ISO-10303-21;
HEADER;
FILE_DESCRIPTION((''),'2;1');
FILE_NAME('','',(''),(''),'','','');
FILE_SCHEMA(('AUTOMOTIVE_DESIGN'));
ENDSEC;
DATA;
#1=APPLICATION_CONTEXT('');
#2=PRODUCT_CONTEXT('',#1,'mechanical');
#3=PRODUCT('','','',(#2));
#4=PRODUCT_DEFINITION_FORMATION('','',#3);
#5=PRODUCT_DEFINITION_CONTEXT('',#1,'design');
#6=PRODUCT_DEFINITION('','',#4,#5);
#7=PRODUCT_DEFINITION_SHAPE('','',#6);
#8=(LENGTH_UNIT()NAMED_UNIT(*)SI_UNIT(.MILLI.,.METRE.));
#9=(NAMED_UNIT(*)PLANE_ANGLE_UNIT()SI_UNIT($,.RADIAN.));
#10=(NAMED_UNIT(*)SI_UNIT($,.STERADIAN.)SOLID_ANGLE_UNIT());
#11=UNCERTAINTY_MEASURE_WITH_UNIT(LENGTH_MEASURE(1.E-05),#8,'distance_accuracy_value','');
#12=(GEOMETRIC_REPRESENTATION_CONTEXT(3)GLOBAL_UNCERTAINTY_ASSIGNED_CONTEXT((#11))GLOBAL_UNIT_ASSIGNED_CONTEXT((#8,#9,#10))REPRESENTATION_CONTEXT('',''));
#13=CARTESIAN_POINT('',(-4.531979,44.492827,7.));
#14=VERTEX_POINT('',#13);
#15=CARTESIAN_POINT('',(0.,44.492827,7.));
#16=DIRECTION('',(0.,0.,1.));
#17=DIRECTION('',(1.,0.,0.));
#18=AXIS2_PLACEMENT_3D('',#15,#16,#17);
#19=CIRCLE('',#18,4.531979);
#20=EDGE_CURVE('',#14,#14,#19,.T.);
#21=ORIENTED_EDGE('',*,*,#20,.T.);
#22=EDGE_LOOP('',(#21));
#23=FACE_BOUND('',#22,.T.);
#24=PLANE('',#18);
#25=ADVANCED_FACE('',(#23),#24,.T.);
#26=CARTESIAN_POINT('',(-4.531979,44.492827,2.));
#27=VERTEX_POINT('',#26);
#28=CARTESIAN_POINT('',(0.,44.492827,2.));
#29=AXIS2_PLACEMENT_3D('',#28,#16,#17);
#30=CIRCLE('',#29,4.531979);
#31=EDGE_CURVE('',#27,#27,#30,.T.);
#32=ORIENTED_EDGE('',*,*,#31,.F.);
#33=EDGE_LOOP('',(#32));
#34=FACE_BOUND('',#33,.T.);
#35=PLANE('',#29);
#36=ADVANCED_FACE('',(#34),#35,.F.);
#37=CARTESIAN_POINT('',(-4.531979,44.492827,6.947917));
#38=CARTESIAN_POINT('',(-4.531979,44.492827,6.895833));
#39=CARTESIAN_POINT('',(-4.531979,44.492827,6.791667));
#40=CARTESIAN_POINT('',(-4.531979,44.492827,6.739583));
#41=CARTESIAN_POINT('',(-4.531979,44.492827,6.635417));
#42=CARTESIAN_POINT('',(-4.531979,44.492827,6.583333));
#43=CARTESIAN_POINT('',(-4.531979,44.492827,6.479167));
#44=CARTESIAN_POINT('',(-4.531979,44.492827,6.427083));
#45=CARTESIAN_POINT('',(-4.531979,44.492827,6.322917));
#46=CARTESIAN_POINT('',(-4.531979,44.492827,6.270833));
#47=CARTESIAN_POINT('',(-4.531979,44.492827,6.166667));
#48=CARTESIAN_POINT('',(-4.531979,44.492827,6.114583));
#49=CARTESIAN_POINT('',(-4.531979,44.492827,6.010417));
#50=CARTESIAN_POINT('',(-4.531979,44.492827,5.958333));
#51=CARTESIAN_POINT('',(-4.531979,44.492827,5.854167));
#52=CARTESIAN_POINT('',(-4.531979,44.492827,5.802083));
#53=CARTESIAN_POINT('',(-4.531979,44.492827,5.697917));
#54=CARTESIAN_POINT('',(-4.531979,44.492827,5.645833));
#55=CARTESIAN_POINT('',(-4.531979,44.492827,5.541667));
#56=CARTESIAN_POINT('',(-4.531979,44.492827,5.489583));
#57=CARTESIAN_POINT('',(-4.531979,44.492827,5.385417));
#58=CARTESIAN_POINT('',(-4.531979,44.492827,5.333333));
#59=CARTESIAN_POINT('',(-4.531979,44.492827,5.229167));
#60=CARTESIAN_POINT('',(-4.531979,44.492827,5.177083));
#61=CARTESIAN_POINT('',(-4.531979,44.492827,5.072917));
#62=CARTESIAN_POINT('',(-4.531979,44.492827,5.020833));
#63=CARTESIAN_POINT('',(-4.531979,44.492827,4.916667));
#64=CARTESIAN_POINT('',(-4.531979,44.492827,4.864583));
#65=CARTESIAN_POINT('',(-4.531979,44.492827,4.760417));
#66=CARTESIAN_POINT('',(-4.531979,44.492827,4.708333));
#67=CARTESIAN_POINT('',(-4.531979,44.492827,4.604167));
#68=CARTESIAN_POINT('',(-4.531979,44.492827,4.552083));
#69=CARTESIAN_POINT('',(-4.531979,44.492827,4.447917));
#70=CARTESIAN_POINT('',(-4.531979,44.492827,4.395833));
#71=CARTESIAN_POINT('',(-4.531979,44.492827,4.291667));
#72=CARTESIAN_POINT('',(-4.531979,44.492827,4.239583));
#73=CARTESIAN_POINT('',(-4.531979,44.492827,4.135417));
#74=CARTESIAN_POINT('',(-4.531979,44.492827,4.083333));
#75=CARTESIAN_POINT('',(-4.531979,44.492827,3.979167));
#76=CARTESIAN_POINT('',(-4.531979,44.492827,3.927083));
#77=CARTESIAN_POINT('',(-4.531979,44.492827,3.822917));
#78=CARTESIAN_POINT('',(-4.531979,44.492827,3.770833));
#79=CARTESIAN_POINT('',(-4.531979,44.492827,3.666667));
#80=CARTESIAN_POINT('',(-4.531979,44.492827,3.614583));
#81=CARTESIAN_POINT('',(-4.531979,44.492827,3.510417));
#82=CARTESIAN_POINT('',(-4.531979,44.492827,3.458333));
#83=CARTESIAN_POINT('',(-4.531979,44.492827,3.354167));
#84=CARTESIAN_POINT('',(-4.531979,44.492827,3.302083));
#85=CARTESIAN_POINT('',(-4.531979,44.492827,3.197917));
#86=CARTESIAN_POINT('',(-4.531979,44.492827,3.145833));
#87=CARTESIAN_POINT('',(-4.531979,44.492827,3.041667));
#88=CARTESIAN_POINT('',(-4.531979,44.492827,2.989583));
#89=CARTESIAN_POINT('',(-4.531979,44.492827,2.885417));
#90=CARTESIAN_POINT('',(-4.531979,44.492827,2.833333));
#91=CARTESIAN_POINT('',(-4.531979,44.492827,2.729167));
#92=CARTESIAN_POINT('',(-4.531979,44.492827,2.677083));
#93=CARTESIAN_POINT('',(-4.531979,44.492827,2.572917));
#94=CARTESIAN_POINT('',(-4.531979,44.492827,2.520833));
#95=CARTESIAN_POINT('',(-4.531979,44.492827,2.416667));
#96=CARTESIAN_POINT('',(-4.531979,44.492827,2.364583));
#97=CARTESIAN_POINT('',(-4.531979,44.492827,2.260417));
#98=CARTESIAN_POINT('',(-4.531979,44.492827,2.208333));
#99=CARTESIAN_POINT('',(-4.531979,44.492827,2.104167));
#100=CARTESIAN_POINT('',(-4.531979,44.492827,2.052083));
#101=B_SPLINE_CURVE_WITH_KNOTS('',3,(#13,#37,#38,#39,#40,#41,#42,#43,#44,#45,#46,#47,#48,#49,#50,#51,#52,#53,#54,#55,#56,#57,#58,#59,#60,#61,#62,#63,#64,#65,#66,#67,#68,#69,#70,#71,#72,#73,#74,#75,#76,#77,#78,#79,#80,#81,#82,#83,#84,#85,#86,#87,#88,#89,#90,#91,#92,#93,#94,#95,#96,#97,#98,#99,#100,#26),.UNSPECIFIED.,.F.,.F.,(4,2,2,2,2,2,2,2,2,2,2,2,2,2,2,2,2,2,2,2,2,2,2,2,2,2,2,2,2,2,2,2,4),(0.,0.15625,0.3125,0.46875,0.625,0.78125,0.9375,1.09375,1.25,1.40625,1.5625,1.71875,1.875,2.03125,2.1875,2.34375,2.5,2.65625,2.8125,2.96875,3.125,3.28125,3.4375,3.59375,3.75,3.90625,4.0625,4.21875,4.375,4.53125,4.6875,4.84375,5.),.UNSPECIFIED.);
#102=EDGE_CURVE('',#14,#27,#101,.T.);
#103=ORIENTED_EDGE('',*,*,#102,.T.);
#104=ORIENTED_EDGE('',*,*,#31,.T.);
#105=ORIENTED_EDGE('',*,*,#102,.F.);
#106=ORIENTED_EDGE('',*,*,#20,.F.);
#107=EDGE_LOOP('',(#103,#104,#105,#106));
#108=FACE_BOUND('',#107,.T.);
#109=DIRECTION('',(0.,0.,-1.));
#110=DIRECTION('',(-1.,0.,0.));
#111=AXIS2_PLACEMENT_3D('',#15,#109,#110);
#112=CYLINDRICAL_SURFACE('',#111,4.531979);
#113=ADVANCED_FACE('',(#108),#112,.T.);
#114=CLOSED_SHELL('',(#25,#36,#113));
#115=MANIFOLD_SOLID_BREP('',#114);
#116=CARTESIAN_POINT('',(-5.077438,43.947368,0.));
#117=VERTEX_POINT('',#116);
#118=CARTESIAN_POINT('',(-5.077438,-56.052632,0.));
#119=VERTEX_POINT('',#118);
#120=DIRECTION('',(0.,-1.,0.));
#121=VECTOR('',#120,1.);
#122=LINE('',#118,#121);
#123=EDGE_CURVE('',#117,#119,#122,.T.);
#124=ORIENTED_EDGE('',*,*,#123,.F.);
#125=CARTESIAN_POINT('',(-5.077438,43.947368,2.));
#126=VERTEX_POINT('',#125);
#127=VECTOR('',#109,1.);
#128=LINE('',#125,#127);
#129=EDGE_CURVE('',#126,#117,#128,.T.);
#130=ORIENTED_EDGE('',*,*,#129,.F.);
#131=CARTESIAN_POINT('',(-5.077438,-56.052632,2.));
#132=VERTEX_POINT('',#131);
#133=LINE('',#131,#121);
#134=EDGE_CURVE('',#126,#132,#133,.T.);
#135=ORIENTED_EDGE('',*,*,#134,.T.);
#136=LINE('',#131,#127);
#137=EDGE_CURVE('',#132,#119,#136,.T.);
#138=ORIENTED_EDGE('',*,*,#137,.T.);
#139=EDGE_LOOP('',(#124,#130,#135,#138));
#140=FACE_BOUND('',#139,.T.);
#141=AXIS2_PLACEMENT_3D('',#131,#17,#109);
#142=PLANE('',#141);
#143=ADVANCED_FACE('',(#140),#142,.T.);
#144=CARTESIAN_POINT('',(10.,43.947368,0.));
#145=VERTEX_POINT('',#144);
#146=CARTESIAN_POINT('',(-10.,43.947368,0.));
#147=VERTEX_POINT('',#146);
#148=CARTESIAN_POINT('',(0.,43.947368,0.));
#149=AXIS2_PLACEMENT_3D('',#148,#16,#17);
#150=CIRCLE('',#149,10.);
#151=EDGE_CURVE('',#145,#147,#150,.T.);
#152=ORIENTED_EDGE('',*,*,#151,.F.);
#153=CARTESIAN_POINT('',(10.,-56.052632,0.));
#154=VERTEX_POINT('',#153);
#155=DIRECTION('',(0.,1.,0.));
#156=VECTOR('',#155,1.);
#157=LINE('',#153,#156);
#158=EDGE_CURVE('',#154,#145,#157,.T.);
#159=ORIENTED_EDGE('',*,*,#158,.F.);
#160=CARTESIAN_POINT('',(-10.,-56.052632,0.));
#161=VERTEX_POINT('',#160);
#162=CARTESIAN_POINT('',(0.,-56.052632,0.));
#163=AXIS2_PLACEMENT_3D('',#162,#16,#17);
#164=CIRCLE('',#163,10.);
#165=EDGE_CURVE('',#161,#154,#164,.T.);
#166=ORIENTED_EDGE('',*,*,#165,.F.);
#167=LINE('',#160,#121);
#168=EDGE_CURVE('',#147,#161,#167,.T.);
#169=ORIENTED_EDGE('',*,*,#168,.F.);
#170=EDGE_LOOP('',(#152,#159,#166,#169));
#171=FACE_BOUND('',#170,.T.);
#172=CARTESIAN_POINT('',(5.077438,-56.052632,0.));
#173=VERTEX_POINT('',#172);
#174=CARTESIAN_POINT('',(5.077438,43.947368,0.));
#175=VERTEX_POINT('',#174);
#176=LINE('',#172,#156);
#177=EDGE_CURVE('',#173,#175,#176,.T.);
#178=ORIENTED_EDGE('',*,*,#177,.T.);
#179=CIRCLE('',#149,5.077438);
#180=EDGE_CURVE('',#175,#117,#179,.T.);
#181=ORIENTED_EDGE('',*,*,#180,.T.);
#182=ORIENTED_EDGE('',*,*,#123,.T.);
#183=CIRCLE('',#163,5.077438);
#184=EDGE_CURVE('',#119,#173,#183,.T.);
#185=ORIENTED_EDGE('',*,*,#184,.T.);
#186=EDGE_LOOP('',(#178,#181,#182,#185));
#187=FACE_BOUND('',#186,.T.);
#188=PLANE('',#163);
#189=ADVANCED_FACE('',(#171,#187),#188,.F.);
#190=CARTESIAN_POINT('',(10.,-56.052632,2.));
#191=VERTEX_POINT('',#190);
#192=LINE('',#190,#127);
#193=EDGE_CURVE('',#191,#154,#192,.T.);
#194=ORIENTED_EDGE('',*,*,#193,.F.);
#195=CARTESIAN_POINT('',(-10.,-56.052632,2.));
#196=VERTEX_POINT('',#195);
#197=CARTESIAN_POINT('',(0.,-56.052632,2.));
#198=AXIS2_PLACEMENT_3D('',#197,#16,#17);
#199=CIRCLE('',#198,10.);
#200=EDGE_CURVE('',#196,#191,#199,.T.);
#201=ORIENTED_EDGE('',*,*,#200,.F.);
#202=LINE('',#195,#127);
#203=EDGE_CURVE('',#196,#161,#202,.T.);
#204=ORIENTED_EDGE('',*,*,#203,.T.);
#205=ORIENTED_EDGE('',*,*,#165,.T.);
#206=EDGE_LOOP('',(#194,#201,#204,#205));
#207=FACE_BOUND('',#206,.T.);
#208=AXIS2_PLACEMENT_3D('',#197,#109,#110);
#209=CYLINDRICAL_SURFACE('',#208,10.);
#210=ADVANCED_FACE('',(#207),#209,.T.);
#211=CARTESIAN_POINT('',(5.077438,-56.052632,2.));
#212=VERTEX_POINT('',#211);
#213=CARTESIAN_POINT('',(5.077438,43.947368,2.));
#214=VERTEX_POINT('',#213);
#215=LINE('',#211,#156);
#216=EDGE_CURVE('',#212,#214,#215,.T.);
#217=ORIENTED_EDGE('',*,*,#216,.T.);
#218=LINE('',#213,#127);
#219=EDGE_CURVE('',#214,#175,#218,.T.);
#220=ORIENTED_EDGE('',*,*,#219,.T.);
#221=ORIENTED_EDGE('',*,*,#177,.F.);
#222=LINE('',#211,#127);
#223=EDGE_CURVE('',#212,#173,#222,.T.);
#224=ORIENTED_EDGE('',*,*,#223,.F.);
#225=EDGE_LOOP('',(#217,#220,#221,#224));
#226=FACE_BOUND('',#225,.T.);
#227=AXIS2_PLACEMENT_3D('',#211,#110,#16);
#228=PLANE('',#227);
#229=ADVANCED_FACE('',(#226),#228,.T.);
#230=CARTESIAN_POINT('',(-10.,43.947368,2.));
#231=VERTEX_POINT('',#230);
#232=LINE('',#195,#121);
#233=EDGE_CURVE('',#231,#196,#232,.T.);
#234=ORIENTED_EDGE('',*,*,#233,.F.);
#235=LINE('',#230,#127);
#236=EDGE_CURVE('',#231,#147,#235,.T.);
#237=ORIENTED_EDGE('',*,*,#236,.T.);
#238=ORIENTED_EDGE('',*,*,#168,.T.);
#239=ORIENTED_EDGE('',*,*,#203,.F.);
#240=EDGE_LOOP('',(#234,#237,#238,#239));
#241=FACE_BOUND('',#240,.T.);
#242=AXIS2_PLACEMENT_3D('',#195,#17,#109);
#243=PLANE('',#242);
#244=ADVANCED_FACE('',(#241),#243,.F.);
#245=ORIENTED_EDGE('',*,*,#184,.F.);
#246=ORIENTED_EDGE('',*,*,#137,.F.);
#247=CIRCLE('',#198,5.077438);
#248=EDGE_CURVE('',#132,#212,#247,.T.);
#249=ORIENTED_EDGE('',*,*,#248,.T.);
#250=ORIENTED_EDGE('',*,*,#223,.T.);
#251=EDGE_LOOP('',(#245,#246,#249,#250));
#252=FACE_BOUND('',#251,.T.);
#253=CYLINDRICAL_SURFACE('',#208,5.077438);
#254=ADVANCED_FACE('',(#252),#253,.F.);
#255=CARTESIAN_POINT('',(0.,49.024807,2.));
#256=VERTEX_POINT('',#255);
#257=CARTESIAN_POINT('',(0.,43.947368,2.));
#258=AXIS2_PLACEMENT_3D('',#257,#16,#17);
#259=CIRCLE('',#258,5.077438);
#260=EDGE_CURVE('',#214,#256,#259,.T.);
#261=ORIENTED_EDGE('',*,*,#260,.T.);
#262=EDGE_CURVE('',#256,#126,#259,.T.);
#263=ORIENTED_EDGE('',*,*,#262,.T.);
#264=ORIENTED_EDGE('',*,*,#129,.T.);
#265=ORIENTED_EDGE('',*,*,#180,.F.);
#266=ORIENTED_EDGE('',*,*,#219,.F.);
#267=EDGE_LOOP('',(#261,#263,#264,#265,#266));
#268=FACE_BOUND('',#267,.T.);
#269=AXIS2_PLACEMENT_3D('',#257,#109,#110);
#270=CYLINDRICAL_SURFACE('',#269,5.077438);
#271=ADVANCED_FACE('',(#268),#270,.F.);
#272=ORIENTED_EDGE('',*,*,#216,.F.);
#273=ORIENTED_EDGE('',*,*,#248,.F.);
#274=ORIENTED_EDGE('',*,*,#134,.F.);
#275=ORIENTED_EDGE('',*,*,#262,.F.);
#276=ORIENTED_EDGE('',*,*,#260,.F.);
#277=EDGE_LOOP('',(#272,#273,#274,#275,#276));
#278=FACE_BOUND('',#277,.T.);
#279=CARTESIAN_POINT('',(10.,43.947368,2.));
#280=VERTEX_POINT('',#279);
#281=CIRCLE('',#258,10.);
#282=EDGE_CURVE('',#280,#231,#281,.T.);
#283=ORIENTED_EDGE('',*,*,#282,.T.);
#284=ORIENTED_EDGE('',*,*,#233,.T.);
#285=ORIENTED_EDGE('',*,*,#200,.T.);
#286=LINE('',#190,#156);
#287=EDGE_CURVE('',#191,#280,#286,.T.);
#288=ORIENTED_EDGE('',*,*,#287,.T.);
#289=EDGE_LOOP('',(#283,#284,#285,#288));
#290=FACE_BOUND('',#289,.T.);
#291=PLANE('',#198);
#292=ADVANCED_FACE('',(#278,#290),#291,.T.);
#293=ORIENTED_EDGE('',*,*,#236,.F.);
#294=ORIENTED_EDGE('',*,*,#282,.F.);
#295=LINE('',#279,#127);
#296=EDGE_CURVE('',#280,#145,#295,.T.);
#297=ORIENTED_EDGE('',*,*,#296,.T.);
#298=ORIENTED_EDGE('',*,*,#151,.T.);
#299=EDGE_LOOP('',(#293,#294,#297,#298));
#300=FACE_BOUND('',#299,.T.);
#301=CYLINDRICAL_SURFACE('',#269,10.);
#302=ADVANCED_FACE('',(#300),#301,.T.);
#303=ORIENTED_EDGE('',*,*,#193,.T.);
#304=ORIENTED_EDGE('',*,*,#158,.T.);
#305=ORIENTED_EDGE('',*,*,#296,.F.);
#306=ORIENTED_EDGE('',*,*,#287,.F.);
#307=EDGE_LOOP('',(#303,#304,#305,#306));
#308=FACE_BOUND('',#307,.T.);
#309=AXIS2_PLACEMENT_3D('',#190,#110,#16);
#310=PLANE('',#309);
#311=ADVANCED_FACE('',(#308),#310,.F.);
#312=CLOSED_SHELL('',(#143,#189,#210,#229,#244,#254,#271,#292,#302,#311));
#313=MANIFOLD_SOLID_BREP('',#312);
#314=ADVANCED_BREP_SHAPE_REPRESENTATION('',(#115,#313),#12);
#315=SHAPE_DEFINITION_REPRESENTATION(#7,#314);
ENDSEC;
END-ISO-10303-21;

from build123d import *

# Parameters (mm, degrees)
BOSS_EXTRUDE1_DEPTH = 2
SKETCH2_R           = 4.531979256
BOSS_EXTRUDE2_DEPTH = 5


with BuildPart() as part:
    # Sketch1 → Boss-Extrude1 (new body)
    with BuildSketch(Plane.XY):
        with BuildLine():
            Line((-10, -56.052631579), (-10, 43.947368421))
            ThreePointArc((-10, 43.947368421), (0, 53.947368421), (10, 43.947368421))
            Line((10, 43.947368421), (10, -56.052631579))
            ThreePointArc((10, -56.052631579), (0, -66.052631579), (-10, -56.052631579))
        make_face()
        with BuildLine():
            Line((-5.077438158, -56.052631579), (-5.077438158, 43.947368421))
            ThreePointArc((-5.077438158, 43.947368421), (0, 49.024806579), (5.077438158, 43.947368421))
            Line((5.077438158, 43.947368421), (5.077438158, -56.052631579))
            ThreePointArc((5.077438158, -56.052631579), (0, -61.130069737), (-5.077438158, -56.052631579))
        make_face(mode=Mode.SUBTRACT)
    extrude(amount=BOSS_EXTRUDE1_DEPTH)


with BuildPart() as body_2:
    # Sketch2 → Boss-Extrude2 (new body)
    with BuildSketch(Plane.XY.offset(2)):
        with Locations(Location((0, 44.492827323, 0), (0, 0, 180))):
            Circle(SKETCH2_R)
    extrude(amount=BOSS_EXTRUDE2_DEPTH)


solid = Compound([part.part, body_2.part])
